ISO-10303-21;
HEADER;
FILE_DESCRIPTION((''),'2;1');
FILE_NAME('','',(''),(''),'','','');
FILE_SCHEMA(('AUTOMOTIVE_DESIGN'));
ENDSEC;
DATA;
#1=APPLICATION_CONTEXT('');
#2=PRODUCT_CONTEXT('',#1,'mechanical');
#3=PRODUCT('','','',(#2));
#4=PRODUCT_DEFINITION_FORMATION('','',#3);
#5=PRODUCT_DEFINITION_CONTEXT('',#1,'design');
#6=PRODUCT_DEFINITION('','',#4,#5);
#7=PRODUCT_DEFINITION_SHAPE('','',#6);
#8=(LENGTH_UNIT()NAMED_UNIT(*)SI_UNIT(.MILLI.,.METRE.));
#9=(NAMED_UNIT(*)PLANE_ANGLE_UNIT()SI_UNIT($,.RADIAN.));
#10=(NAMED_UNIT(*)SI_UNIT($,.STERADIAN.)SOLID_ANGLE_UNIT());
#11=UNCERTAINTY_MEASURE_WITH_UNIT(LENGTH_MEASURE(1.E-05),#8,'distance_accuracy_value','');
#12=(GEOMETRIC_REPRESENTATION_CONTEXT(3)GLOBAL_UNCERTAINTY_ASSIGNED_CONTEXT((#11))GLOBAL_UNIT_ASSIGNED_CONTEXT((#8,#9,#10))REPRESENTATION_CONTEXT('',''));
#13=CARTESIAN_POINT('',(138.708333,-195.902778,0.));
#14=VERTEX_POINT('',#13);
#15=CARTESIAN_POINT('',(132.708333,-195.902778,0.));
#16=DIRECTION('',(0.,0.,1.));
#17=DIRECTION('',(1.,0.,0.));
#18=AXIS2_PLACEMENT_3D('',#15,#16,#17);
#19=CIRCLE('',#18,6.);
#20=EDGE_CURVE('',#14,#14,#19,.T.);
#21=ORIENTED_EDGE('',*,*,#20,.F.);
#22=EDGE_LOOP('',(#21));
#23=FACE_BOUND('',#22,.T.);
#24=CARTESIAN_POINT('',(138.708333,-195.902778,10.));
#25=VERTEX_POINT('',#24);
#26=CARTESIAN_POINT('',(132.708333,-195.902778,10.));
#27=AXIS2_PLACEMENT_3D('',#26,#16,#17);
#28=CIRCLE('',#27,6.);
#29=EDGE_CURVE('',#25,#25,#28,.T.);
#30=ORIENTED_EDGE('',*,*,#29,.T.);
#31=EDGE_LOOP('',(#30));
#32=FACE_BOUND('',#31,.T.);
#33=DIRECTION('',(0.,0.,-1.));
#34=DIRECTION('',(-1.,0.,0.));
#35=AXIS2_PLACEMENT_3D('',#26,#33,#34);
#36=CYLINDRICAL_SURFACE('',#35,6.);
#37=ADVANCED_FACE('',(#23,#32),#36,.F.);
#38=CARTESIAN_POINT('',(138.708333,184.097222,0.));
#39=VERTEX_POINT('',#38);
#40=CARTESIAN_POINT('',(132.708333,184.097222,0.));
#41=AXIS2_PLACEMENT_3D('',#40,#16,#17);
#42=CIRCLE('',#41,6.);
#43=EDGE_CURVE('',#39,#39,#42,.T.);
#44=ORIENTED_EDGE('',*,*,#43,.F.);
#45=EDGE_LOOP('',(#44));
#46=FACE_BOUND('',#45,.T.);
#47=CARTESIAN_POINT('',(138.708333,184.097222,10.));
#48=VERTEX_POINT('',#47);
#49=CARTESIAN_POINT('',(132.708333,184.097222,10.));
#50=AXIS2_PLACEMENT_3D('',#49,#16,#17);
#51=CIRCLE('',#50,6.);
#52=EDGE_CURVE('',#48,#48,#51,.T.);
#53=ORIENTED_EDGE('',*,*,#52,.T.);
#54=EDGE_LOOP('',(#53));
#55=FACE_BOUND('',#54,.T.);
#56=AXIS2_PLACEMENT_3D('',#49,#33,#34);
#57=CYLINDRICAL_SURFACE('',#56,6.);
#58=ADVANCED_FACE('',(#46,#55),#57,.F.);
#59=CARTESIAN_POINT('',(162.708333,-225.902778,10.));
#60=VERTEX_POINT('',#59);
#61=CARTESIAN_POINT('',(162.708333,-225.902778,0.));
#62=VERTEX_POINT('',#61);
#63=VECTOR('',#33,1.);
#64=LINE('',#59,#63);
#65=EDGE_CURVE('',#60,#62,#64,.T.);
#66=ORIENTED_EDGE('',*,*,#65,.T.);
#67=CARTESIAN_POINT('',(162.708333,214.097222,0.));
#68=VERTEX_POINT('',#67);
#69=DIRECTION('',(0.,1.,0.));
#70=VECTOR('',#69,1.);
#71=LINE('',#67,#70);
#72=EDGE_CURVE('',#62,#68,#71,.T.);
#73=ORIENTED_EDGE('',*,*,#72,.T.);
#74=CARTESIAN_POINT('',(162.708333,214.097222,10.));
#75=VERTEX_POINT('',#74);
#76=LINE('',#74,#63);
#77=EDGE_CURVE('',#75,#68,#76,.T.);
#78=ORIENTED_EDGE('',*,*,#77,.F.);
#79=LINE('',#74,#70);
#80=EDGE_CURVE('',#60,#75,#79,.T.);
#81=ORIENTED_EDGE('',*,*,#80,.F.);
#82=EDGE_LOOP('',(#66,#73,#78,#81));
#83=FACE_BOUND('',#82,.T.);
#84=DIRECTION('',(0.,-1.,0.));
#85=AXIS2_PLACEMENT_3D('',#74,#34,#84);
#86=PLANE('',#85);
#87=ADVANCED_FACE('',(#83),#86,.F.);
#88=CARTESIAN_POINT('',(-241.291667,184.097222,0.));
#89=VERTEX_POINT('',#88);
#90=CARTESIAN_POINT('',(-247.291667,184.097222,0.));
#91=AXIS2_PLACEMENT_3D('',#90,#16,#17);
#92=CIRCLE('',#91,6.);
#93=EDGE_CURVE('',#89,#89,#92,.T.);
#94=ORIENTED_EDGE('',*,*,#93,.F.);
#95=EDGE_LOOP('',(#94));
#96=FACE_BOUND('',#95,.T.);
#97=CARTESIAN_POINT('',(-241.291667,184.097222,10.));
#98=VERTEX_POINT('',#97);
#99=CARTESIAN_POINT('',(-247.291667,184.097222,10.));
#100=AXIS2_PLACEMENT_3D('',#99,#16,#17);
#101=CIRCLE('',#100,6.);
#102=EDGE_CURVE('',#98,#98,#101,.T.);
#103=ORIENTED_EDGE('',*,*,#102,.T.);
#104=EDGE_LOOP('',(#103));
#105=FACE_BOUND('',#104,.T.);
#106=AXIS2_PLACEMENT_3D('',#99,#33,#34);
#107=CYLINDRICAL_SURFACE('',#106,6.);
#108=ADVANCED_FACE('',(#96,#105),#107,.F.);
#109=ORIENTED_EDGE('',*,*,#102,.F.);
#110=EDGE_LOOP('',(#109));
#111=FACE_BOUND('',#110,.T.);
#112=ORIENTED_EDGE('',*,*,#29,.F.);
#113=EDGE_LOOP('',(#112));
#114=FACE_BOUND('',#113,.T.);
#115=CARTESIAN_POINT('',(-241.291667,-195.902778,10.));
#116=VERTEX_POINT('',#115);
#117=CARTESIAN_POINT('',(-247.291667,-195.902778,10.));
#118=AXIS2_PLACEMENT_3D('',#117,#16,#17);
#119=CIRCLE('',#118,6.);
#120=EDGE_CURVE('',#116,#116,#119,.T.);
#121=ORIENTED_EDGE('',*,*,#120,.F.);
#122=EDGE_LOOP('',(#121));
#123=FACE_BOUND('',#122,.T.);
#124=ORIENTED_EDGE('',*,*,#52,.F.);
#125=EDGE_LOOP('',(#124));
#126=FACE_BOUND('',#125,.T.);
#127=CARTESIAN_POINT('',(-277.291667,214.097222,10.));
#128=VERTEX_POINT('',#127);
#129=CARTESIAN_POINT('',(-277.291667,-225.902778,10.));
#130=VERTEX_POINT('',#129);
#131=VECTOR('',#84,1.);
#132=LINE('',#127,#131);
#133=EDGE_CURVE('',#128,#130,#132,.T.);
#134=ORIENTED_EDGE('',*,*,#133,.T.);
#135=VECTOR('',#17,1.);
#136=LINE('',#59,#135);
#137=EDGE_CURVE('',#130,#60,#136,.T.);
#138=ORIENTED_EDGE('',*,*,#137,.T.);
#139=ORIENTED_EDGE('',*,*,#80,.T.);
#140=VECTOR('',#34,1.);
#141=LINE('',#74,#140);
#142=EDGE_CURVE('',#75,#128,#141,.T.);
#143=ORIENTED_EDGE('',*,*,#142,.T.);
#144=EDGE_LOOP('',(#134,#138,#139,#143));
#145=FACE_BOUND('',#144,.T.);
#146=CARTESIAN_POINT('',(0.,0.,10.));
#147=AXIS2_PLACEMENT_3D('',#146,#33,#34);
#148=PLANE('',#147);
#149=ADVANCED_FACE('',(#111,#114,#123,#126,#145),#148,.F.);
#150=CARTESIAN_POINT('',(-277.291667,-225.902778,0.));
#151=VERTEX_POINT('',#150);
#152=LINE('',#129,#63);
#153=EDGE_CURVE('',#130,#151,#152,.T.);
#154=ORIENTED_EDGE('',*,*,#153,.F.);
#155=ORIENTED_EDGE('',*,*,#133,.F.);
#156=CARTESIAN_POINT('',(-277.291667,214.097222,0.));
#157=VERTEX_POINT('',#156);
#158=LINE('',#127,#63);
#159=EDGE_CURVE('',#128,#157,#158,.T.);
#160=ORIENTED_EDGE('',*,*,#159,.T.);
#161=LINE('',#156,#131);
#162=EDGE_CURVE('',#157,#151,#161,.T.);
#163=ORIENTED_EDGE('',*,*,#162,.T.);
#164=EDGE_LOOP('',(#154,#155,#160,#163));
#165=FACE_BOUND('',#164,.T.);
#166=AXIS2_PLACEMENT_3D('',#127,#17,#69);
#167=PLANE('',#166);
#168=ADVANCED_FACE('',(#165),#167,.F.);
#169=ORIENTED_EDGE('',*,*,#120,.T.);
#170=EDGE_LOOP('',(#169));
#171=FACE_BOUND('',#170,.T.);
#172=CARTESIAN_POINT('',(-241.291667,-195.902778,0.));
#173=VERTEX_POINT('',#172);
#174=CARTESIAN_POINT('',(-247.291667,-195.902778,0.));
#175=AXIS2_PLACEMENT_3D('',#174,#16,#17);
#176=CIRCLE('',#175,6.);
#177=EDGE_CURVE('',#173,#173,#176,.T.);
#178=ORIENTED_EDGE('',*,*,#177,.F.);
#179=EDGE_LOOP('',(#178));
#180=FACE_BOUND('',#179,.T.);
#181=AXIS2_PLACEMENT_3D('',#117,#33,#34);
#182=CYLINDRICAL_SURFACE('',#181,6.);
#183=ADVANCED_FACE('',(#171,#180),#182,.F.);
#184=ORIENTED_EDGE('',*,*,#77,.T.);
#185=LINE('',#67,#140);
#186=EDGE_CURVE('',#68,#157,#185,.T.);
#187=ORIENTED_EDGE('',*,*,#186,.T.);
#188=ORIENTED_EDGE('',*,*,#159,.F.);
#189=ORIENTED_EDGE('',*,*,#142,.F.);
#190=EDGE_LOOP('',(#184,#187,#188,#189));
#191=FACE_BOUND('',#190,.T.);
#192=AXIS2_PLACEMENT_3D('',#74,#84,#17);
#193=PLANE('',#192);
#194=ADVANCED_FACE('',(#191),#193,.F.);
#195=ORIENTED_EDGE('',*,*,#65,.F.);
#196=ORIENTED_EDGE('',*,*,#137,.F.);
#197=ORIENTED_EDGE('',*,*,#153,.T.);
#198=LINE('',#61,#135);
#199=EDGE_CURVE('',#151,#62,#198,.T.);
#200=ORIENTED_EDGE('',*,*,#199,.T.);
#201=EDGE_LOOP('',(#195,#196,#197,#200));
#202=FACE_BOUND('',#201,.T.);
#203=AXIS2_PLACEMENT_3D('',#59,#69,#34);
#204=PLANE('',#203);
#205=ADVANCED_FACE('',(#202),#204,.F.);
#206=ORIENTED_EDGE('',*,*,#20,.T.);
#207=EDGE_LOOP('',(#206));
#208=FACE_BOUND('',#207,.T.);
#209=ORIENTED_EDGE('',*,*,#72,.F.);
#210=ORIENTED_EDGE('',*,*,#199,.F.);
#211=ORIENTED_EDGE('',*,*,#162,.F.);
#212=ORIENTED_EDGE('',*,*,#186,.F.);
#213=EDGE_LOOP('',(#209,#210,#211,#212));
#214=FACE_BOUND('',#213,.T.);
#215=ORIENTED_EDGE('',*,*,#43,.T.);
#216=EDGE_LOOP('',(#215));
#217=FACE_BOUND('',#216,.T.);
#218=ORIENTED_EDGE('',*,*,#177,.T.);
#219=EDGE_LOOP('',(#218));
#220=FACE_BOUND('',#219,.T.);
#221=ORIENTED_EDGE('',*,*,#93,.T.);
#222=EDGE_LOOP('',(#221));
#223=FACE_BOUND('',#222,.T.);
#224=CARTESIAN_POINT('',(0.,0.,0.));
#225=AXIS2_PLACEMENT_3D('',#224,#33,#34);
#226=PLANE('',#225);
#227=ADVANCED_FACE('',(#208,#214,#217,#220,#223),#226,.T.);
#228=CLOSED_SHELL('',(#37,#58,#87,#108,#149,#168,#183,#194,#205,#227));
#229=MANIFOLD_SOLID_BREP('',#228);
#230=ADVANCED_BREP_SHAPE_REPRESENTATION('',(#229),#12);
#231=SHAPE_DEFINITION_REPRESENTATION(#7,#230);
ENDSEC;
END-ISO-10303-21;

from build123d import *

# Parameters (mm, degrees)
SKETCH1_W           = 440
SKETCH1_H           = 440
SKETCH1_R           = 6
BOSS_EXTRUDE1_DEPTH = 10


with BuildPart() as part:
    # Sketch1 → Boss-Extrude1 (new body)
    with BuildSketch(Plane.XY):
        with Locations((-57.291666667, -5.902777778)):
            Rectangle(SKETCH1_W, SKETCH1_H)
        with Locations((132.708333333, 184.097222222)):
            Circle(SKETCH1_R, mode=Mode.SUBTRACT)
        with Locations((-247.291666667, 184.097222222)):
            Circle(SKETCH1_R, mode=Mode.SUBTRACT)
        with Locations((-247.291666667, -195.902777778)):
            Circle(SKETCH1_R, mode=Mode.SUBTRACT)
        with Locations((132.708333333, -195.902777778)):
            Circle(SKETCH1_R, mode=Mode.SUBTRACT)
    extrude(amount=BOSS_EXTRUDE1_DEPTH)


solid = part.part
